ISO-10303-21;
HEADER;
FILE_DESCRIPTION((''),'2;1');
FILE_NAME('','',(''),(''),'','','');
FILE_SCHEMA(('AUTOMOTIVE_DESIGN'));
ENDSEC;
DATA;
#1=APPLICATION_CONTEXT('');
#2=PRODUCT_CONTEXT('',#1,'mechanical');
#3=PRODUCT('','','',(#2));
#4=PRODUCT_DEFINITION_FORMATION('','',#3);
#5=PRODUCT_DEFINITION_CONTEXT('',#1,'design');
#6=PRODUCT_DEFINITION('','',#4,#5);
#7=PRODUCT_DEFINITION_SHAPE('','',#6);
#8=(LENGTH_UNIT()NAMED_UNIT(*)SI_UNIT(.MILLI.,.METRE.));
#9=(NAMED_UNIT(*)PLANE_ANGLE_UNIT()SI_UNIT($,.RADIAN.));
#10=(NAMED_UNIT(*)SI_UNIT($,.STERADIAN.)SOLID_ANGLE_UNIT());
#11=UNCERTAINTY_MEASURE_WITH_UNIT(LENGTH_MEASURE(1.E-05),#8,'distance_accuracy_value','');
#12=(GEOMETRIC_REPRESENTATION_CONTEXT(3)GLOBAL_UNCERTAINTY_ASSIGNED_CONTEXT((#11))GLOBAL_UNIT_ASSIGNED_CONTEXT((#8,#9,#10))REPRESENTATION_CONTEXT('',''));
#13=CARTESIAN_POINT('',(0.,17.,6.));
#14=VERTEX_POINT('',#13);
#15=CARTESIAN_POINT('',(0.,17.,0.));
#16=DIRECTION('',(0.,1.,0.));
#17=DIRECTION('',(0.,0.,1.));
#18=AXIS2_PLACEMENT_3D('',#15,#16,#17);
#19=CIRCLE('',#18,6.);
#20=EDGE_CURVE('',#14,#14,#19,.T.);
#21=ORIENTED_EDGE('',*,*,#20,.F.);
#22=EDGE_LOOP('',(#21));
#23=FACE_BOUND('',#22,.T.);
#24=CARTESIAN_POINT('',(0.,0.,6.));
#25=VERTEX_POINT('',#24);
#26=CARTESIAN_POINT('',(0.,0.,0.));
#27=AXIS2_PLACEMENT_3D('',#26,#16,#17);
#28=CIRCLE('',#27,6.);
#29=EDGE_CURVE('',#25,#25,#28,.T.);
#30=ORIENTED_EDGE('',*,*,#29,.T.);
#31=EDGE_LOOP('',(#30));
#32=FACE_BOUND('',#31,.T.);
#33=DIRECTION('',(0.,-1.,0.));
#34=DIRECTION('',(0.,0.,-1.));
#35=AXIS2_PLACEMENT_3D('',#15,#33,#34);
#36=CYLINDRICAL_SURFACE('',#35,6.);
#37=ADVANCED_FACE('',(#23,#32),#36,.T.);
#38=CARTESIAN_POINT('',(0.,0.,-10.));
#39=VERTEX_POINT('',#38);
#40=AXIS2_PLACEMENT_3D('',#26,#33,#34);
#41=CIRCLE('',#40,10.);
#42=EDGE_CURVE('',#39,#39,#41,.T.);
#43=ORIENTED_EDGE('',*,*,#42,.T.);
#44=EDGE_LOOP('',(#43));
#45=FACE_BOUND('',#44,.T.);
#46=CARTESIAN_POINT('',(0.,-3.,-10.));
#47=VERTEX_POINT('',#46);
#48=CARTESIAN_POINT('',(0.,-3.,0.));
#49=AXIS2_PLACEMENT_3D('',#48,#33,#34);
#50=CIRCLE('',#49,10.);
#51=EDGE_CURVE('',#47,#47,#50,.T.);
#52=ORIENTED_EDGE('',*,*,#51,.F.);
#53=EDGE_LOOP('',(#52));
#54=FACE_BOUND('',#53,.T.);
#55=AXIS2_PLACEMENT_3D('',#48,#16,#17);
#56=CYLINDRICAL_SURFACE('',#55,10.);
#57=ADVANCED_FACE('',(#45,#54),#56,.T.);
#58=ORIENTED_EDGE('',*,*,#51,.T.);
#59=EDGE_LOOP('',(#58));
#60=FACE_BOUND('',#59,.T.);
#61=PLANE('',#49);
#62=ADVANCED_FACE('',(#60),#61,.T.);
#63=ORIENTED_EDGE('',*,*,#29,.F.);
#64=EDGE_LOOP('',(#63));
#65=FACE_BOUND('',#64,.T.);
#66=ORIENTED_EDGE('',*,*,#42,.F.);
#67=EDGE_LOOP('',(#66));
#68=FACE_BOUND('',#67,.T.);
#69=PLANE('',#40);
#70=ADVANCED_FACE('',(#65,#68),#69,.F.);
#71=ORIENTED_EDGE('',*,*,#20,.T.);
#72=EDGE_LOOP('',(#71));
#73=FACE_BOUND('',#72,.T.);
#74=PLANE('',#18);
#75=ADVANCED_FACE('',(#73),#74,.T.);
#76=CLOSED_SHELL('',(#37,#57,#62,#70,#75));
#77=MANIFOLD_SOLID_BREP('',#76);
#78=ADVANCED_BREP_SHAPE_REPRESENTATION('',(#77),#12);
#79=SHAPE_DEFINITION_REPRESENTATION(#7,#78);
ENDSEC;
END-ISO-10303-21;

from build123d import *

# Parameters (mm, degrees)
SKETCH_1_R      = 6
EXTRUDE_1_DEPTH = 17
SKETCH_2_R      = 10
EXTRUDE_2_DEPTH = 3


with BuildPart() as part:
    # 草图1 → 凸台-拉伸1 (new body)
    with BuildSketch(Plane(origin=(0, 0, 0), x_dir=(1, 0, 0), z_dir=(0, 1, 0))):
        with Locations(Location((0, 0, 0), (0, 0, 270))):
            Circle(SKETCH_1_R)
    extrude(amount=EXTRUDE_1_DEPTH)

    # 草图2 → 凸台-拉伸2 (add)
    with BuildSketch(Plane.XZ):
        with Locations(Location((0, 0, 0), (0, 0, 270))):
            Circle(SKETCH_2_R)
    extrude(amount=EXTRUDE_2_DEPTH)


solid = part.part
